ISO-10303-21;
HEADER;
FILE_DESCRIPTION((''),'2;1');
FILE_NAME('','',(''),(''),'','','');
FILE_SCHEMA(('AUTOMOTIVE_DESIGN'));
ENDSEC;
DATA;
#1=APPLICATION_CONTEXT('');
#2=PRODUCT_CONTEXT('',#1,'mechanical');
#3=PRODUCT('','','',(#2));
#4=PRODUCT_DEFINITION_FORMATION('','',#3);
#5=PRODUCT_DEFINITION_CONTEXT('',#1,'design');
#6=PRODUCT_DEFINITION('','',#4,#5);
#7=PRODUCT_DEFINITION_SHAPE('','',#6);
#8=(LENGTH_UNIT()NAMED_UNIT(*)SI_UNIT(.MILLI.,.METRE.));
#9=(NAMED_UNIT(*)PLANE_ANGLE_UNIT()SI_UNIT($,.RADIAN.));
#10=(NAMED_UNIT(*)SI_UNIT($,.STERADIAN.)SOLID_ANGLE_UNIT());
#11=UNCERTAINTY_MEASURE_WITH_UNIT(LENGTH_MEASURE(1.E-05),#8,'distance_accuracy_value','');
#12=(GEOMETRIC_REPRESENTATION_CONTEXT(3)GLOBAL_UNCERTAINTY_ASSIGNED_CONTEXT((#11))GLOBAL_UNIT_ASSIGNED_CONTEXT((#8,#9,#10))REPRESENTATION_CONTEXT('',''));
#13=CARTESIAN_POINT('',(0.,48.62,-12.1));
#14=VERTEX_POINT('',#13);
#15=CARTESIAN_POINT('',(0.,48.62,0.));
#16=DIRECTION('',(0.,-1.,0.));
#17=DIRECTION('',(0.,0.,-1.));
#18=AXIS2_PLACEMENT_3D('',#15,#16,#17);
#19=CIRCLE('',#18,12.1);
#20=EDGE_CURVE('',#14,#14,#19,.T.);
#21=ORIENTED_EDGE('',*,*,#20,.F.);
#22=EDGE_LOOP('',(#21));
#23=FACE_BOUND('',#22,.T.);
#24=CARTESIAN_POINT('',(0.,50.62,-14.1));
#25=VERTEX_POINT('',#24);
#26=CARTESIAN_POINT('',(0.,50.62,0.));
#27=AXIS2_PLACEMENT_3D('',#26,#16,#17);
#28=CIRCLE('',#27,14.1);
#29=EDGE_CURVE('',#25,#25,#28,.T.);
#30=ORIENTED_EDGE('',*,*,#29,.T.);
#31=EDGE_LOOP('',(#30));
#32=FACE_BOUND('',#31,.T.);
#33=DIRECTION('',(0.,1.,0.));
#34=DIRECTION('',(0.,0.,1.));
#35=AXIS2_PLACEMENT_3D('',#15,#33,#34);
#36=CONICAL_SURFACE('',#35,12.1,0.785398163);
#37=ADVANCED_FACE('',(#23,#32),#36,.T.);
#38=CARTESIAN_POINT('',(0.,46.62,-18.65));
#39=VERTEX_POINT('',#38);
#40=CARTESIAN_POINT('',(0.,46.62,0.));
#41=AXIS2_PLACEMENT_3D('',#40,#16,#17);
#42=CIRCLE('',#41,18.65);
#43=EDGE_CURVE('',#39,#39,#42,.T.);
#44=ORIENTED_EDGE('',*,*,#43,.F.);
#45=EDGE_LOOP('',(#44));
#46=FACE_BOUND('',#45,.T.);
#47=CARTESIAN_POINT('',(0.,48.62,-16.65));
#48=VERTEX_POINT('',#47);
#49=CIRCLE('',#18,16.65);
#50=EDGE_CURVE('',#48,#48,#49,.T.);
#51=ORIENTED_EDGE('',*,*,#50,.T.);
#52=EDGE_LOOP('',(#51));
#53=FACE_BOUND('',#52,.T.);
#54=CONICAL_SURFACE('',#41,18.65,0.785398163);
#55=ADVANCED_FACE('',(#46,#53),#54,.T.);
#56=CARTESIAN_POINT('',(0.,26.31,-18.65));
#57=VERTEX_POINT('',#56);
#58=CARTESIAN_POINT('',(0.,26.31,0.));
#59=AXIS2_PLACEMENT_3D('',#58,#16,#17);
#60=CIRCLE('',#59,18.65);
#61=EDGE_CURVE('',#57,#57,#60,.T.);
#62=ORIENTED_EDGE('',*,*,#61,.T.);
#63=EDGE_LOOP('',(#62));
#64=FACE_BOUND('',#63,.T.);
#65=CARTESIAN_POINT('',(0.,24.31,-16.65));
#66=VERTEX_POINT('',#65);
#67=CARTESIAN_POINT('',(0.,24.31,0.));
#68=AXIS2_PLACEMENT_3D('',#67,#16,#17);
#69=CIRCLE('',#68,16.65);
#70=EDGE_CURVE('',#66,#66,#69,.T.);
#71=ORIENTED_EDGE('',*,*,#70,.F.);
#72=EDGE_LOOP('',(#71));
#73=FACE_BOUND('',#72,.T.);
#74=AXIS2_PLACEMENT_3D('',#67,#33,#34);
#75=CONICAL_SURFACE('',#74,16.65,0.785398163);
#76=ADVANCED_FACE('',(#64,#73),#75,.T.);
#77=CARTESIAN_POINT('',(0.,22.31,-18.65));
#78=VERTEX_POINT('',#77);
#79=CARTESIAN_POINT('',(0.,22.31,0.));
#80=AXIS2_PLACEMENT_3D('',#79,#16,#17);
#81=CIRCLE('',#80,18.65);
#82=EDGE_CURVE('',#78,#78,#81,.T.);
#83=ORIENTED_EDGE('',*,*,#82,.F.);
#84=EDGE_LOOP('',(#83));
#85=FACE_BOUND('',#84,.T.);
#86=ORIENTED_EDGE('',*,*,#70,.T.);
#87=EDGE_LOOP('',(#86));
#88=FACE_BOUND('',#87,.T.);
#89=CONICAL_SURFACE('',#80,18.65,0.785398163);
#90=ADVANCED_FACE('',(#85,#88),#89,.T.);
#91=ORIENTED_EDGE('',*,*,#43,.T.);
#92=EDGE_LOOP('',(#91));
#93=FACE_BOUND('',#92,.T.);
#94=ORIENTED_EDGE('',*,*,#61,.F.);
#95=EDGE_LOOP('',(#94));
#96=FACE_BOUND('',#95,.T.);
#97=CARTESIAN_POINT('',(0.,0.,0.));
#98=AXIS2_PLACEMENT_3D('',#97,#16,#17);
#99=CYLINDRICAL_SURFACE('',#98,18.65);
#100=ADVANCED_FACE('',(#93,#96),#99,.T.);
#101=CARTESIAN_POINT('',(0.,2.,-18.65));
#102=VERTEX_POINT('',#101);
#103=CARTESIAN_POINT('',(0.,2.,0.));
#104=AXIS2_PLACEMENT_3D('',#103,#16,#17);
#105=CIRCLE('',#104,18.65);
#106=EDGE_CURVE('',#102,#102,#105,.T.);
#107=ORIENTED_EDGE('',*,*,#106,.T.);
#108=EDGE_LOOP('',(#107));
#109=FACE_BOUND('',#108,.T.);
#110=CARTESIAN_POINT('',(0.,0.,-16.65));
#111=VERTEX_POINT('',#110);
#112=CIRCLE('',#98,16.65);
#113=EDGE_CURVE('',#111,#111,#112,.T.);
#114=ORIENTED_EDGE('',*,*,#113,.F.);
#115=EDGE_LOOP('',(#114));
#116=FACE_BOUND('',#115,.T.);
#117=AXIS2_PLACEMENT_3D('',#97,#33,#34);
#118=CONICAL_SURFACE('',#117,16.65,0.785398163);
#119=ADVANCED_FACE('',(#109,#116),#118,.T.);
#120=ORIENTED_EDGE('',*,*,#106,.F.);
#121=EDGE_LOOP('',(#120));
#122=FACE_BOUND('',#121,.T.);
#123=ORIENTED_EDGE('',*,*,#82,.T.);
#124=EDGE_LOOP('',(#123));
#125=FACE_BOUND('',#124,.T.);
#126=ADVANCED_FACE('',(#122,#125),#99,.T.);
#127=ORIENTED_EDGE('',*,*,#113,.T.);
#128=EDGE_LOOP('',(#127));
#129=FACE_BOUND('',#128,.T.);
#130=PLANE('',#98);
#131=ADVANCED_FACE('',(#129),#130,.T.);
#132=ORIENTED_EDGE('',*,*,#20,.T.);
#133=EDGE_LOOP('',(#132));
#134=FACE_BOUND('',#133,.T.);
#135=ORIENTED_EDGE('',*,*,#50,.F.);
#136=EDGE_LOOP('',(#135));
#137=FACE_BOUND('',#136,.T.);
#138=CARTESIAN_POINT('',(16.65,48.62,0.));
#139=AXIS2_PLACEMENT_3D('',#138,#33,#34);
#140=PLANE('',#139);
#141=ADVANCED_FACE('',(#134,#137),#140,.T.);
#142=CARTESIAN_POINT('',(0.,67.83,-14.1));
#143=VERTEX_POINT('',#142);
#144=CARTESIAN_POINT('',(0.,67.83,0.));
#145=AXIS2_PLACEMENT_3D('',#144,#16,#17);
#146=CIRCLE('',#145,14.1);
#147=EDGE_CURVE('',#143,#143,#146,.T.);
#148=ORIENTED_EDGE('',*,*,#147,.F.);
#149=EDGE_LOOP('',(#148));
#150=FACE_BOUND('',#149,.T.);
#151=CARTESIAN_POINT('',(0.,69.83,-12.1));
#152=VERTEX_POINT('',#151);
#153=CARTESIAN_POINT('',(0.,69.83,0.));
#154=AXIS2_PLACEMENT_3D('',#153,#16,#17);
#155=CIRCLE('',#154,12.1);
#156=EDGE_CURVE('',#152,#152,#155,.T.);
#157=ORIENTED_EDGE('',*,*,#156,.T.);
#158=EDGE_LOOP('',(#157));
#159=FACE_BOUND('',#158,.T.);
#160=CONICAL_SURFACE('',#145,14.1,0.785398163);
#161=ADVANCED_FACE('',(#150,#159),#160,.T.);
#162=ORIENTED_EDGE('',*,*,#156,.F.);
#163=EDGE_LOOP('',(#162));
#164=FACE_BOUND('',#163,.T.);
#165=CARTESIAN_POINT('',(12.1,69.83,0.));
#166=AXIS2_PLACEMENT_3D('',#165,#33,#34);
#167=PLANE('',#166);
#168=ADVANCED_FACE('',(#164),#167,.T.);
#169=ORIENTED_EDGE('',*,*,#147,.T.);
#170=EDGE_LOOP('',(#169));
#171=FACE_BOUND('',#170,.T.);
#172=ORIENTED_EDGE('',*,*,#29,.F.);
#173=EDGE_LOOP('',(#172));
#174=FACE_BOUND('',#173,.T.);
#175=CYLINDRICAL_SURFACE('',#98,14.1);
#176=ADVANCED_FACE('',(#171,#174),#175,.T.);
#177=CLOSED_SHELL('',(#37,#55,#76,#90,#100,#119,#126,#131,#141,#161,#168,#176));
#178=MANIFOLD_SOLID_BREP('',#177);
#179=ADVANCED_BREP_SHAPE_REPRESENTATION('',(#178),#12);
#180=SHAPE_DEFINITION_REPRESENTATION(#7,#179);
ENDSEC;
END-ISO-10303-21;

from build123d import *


with BuildPart() as part:
    # Sketch1 → Revolve1 (revolve)
    with BuildSketch(Plane.XY):
        Polygon((0, 0), (16.65, 0), (18.65, 2), (18.65, 22.31), (16.65, 24.31), (18.65, 26.31), (18.65, 46.62), (16.65, 48.62), (12.1, 48.62), (14.1, 50.62), (14.1, 67.83), (12.1, 69.83), (0, 69.83), align=None)
    revolve(axis=Axis((0, 0, 0), (0, 1, 0)))


solid = part.part
